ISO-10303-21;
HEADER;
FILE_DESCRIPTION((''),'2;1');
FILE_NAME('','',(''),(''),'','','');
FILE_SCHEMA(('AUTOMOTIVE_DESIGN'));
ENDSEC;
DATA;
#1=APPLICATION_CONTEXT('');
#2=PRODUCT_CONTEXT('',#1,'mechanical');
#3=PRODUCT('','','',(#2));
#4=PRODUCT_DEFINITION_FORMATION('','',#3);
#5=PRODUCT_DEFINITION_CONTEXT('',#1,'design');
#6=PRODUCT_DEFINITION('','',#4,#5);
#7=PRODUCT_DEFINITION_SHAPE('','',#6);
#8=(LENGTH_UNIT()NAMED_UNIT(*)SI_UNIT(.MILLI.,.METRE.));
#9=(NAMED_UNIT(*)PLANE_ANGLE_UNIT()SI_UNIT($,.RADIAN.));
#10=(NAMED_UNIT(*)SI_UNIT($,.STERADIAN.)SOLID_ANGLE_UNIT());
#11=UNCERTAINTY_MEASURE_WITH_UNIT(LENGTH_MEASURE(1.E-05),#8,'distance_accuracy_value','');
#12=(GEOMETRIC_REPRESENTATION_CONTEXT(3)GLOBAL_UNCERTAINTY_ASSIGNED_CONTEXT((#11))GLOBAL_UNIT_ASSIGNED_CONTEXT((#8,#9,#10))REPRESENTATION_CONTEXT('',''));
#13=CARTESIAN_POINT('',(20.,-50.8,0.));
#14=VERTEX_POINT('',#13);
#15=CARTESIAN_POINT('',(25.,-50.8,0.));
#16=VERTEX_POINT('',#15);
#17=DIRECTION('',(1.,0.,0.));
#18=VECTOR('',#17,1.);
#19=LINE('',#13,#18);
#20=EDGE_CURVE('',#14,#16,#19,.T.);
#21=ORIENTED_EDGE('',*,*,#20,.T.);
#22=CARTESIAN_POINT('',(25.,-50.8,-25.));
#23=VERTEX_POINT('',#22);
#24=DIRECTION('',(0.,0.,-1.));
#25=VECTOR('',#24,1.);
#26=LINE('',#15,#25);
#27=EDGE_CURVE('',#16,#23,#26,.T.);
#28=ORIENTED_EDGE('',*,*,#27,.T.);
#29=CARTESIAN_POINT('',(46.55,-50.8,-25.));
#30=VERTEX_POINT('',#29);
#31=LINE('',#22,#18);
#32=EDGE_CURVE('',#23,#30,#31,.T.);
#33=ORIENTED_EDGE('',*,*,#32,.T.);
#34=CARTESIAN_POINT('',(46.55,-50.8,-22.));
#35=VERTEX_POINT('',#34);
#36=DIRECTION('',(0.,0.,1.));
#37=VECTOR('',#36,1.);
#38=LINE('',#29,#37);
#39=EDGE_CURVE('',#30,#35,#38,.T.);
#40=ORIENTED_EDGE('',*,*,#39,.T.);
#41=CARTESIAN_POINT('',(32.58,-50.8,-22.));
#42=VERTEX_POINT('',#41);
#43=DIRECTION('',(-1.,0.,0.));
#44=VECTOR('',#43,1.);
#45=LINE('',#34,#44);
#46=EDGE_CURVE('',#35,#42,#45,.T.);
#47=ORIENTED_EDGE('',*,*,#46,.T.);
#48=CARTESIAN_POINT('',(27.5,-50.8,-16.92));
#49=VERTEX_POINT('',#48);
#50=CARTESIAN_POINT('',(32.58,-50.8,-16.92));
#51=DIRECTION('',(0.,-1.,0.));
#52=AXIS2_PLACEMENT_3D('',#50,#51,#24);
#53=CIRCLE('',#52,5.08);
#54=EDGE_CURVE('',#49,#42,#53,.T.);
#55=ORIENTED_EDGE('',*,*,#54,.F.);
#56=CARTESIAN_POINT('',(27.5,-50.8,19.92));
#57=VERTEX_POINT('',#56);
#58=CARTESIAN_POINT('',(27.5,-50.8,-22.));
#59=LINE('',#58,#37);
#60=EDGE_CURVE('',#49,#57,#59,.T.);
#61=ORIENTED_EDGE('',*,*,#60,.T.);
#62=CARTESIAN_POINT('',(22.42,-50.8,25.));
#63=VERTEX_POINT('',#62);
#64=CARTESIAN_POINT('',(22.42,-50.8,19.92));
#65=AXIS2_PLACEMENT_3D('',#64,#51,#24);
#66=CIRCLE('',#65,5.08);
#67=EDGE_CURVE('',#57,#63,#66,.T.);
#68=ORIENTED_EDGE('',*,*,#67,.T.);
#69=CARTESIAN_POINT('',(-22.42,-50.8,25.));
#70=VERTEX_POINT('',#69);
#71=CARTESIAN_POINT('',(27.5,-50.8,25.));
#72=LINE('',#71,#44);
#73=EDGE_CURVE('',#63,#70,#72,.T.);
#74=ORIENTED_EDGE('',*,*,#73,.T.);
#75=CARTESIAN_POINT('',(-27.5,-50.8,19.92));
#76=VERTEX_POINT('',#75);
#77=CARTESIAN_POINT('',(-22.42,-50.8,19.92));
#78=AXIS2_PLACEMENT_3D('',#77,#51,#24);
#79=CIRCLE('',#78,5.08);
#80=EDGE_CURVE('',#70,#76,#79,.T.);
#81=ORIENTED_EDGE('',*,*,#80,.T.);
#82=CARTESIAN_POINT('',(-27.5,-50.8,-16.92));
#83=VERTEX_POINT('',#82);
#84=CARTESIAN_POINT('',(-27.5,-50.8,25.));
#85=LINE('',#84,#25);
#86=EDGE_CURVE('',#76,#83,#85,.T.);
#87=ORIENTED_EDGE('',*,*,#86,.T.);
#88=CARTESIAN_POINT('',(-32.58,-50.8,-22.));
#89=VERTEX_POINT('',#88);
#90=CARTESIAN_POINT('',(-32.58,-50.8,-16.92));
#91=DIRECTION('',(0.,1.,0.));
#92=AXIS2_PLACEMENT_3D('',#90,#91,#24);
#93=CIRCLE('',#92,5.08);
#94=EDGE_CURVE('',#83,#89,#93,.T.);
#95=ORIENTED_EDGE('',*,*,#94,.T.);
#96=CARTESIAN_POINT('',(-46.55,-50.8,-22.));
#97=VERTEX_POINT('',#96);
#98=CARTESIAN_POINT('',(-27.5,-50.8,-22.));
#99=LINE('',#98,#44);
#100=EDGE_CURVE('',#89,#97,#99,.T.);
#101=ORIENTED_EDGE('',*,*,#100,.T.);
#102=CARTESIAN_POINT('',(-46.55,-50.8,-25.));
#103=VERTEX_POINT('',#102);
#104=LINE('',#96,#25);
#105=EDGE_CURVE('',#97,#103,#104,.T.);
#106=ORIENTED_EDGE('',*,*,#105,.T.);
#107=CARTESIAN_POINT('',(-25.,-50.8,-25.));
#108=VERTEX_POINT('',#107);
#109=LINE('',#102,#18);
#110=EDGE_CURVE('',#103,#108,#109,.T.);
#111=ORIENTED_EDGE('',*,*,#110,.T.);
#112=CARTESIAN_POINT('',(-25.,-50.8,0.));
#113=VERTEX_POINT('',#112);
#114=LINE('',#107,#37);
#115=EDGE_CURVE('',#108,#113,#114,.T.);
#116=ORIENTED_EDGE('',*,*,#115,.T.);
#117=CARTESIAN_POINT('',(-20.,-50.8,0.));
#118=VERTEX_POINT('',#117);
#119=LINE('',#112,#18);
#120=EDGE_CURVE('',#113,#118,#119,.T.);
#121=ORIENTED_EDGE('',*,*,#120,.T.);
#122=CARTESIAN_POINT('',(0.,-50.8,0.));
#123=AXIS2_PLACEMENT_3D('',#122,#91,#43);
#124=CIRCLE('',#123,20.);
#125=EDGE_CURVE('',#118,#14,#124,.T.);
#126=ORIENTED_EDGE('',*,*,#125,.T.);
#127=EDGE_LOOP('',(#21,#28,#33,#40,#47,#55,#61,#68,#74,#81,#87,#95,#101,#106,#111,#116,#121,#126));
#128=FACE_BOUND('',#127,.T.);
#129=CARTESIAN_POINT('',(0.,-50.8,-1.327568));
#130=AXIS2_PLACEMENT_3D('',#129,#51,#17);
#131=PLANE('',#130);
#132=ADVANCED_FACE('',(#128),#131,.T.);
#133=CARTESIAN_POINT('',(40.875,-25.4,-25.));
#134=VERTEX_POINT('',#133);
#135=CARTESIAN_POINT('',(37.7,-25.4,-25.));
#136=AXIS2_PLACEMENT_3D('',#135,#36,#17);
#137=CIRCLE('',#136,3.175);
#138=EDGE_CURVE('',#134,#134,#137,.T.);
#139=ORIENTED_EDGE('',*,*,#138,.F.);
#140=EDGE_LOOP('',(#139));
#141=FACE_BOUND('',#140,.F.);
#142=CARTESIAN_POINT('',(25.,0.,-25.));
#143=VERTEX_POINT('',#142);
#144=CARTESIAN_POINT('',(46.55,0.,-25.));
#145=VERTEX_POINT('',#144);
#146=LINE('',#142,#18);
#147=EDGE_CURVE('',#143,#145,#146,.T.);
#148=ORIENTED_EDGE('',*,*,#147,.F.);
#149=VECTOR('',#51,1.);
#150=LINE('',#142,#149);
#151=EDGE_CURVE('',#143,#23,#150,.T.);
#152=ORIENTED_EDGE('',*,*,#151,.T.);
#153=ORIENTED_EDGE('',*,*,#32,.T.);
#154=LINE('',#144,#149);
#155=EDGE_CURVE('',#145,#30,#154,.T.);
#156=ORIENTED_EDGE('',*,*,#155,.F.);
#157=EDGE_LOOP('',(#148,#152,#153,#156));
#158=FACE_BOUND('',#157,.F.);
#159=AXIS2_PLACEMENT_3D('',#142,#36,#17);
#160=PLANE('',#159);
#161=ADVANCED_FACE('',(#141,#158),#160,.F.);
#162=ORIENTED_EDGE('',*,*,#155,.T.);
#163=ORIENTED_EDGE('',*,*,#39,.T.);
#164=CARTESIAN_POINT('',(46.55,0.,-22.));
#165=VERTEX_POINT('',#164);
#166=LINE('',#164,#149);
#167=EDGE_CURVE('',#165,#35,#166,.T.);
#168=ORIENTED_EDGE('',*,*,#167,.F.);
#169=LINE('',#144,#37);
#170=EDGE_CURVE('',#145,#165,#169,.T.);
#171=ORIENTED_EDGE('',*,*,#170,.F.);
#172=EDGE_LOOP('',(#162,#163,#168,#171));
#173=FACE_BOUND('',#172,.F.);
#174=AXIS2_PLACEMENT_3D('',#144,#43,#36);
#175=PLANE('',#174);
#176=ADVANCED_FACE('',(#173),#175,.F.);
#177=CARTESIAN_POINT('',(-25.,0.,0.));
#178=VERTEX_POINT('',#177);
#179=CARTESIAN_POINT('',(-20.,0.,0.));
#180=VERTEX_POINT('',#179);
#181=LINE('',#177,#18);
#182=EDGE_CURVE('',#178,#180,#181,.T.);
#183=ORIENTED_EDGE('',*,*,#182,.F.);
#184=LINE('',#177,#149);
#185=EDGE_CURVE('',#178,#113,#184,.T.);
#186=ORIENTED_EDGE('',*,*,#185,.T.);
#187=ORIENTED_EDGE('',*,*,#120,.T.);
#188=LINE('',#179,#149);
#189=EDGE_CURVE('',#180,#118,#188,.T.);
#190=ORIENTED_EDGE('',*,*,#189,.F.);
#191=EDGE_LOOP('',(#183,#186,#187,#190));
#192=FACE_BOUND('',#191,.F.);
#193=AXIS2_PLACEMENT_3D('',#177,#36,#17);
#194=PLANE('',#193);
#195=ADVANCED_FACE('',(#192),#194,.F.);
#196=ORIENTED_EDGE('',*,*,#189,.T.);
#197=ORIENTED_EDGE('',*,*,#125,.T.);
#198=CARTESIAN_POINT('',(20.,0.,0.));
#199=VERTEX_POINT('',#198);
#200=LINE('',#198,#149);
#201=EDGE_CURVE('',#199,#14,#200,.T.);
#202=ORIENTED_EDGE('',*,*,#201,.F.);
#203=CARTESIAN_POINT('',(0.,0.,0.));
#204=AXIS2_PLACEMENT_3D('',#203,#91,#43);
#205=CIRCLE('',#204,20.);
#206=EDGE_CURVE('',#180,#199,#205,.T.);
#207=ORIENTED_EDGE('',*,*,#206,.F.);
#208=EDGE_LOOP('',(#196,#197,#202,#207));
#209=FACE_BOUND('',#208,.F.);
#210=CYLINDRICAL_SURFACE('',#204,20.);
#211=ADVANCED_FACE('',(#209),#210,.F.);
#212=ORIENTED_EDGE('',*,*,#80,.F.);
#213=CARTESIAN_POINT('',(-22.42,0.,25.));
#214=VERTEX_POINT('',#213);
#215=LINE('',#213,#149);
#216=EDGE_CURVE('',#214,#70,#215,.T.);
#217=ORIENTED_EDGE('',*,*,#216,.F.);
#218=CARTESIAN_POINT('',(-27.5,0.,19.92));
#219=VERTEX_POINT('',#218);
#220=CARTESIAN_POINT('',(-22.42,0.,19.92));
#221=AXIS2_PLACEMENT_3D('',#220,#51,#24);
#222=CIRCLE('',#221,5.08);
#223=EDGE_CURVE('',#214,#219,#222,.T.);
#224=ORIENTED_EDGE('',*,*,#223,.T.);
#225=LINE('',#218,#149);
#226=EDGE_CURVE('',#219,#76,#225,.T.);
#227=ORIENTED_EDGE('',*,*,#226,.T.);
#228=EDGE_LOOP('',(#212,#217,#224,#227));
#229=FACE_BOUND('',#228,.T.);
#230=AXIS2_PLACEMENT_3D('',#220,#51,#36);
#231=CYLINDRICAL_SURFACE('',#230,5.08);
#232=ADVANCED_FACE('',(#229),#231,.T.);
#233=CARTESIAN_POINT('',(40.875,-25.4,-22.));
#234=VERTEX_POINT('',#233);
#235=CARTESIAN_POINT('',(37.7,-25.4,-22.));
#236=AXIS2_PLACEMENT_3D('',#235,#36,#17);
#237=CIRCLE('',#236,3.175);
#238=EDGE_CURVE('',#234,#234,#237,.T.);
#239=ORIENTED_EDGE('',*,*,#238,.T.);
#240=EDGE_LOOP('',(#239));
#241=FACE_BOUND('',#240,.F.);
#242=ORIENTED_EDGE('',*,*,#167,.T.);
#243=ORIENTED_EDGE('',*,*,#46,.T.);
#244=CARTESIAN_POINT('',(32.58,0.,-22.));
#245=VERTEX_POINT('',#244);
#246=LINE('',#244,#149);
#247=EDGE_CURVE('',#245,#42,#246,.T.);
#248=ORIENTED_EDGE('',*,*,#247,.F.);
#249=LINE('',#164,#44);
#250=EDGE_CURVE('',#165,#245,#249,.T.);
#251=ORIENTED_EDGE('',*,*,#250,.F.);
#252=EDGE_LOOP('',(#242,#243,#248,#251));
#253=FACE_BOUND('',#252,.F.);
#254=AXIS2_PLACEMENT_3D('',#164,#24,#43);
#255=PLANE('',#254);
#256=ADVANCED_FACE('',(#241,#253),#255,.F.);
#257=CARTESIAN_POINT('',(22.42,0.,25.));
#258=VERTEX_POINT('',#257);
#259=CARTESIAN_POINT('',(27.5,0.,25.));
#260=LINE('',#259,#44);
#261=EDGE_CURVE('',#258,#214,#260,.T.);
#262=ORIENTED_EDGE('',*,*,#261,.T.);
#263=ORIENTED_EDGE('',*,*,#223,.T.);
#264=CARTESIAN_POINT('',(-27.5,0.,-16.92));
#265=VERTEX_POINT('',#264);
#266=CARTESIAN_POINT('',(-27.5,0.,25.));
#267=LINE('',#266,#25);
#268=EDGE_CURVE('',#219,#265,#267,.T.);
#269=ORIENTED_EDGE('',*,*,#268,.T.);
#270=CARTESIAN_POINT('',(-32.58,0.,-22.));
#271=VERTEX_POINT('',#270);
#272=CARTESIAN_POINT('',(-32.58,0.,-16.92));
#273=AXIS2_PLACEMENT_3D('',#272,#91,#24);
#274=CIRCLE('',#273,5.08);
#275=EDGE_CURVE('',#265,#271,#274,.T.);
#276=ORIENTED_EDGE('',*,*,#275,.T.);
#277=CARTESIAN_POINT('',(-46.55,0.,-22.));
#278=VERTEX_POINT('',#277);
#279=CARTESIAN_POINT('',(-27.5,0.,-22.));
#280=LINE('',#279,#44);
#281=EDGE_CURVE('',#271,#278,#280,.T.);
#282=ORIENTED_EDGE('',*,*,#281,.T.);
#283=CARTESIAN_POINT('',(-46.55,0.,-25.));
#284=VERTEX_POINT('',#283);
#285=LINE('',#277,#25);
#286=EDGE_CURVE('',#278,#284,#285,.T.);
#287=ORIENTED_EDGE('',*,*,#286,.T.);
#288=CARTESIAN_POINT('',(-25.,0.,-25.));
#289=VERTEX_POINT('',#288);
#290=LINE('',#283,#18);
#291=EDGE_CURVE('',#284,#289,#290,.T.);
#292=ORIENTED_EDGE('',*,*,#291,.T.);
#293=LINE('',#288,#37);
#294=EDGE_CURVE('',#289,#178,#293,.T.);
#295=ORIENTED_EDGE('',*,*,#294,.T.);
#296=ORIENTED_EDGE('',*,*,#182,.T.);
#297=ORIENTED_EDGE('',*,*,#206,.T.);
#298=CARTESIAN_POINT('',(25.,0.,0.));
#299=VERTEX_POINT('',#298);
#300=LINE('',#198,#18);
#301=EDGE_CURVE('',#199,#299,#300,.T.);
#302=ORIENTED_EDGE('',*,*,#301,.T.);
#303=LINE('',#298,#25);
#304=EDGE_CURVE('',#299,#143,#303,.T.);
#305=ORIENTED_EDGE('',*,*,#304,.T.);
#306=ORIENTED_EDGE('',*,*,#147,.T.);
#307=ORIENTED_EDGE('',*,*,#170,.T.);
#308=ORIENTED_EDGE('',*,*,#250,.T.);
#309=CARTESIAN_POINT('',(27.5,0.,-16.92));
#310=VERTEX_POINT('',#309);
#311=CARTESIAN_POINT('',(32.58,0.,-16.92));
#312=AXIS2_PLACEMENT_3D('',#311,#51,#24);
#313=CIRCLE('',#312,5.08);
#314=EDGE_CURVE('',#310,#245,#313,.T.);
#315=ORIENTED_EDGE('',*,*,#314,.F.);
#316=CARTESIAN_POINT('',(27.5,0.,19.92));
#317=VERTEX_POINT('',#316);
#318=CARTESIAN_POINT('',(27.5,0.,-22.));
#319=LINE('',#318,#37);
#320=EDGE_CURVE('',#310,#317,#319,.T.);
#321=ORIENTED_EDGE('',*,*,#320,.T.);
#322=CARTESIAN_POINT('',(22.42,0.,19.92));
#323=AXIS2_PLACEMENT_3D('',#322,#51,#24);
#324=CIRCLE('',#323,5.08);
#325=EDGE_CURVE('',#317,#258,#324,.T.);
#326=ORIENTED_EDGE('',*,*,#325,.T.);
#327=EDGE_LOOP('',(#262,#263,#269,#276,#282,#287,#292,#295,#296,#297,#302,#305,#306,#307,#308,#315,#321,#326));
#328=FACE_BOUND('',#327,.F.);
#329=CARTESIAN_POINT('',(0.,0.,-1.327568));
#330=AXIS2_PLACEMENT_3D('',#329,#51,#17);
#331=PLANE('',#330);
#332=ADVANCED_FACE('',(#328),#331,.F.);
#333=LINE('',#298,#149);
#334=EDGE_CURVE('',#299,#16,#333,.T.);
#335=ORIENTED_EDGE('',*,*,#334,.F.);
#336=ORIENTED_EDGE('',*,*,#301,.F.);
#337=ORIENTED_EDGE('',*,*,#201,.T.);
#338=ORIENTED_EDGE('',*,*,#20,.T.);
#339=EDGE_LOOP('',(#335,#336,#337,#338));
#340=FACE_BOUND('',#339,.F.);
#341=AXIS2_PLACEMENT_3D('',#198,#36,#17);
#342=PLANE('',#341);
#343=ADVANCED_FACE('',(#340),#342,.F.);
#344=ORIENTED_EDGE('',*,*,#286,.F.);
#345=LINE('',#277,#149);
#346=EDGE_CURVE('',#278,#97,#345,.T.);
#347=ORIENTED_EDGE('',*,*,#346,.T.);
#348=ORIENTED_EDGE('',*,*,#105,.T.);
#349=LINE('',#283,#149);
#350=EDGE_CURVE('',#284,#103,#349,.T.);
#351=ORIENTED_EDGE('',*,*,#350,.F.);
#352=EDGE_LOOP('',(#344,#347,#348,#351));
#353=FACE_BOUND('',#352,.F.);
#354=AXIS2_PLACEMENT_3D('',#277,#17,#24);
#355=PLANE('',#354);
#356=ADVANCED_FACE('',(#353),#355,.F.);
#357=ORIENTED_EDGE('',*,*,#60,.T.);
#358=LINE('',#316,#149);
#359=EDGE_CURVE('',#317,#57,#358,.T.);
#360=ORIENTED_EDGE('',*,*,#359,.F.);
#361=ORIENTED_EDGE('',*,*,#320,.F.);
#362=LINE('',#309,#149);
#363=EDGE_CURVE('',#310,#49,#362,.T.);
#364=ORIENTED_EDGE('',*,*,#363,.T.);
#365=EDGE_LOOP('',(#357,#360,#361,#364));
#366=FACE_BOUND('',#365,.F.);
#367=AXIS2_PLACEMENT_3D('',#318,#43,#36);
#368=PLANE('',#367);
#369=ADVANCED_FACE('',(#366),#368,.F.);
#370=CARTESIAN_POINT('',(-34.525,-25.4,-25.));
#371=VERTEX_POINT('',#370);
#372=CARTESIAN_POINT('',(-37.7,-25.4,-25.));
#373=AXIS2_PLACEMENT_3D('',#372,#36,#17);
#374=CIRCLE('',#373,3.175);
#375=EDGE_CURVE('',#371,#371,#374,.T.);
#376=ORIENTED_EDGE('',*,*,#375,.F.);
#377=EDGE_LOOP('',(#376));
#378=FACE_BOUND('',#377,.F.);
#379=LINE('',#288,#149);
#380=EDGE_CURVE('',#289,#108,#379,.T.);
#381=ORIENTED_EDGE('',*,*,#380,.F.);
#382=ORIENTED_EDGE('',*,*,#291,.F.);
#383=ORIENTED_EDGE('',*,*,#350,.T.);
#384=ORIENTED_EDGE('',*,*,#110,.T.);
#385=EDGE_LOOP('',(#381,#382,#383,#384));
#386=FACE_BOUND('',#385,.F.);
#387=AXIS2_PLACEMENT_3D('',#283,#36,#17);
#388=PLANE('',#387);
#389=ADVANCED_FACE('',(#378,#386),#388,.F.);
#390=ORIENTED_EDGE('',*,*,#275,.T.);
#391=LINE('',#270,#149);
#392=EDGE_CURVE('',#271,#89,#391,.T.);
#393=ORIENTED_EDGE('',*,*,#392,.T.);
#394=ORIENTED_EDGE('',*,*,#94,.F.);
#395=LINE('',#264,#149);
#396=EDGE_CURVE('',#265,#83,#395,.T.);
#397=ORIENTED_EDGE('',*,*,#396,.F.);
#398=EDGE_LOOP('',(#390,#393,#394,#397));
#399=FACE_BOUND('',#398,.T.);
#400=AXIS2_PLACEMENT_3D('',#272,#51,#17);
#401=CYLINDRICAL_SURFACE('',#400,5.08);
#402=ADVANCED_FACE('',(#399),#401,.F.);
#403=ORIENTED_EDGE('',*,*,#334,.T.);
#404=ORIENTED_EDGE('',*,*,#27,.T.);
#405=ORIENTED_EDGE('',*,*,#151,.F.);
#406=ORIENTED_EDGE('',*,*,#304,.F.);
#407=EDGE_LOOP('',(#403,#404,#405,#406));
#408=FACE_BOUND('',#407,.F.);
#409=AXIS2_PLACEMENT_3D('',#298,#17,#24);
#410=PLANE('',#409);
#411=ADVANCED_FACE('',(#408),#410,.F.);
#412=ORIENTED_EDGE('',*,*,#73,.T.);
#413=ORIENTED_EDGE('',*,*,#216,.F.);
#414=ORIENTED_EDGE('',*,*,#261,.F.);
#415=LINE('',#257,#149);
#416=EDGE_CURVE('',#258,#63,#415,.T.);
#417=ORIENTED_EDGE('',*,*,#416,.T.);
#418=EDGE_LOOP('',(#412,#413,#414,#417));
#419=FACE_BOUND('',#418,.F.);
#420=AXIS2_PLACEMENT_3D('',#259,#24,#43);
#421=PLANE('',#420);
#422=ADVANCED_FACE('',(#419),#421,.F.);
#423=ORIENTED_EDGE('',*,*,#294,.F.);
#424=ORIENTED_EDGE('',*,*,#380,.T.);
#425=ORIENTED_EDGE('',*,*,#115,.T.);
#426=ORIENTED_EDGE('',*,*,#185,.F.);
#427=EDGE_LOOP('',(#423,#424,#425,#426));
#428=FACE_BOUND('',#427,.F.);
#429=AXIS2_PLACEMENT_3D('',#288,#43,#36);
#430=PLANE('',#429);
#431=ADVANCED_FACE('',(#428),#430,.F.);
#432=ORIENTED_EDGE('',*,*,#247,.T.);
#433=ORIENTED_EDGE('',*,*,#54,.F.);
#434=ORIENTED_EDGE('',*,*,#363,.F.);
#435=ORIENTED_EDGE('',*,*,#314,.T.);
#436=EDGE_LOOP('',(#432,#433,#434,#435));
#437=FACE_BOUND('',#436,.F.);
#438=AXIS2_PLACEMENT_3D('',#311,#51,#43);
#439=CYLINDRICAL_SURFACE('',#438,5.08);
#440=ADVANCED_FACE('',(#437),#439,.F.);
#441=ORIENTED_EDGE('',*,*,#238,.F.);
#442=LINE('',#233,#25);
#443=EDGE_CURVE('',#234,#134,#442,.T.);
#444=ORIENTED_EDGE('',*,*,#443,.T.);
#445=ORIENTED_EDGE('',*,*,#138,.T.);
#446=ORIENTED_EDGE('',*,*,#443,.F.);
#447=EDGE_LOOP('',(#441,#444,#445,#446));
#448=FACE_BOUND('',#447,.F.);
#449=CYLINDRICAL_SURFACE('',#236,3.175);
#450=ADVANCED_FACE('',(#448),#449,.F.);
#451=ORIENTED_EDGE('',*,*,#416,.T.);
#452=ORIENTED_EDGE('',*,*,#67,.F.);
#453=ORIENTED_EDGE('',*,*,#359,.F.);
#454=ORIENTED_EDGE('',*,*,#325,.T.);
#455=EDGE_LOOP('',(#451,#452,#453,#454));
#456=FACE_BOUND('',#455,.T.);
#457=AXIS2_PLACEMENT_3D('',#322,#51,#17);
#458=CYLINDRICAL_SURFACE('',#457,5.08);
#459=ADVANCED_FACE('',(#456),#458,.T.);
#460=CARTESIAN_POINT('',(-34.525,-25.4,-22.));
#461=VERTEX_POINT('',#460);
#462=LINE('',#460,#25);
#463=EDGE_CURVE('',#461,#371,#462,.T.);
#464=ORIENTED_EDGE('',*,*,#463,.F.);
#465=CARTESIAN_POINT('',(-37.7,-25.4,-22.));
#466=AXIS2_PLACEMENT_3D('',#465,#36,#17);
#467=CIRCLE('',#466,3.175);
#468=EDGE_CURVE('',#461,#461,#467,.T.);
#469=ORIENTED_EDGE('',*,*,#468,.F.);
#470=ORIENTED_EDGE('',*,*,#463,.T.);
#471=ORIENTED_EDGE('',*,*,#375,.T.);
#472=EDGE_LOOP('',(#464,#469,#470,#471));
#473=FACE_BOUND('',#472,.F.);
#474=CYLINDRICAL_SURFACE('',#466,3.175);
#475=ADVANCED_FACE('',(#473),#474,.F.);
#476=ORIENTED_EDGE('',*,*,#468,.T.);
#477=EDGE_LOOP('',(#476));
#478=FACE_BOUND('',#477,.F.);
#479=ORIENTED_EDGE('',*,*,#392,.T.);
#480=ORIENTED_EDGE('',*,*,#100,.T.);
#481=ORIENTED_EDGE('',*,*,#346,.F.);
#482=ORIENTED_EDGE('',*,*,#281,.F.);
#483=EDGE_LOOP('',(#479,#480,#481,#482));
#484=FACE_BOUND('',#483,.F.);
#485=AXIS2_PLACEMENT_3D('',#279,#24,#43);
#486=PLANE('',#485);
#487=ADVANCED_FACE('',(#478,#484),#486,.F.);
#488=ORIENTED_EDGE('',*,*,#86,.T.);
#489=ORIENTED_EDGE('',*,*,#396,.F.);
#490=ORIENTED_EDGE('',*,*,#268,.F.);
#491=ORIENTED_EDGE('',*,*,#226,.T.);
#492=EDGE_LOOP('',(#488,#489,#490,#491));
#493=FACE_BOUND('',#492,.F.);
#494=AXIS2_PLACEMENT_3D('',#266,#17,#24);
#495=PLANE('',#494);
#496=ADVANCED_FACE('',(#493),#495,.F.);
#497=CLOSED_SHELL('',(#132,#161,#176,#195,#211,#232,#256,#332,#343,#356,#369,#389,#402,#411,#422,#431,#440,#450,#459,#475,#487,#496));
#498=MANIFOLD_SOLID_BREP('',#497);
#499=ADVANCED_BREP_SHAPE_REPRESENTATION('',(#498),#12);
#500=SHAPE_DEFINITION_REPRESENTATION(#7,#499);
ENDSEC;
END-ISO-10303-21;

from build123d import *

# Parameters (mm, degrees)
F1_DEPTH = 50.8
F2_R     = 5.08
F3_R     = 5.08
F4_R     = 3.175
F5_DEPTH = 25.4


with BuildPart() as f1:
    # F0 (on Front) → F1 (new body)
    with BuildSketch(Plane.XZ):
        with BuildLine():
            Line((-25, -25), (-25, 0))
            Line((-25, 0), (-20, 0))
            ThreePointArc((-20, 0), (0, 20), (20, 0))
            Line((20, 0), (25, 0))
            Line((25, 0), (25, -25))
            Line((25, -25), (46.55, -25))
            Line((46.55, -25), (46.55, -22))
            Line((46.55, -22), (27.5, -22))
            Line((27.5, -22), (27.5, 0))
            Line((27.5, 0), (27.5, 25))
            Line((27.5, 25), (-27.5, 25))
            Line((-27.5, 25), (-27.5, 0))
            Line((-27.5, 0), (-27.5, -22))
            Line((-27.5, -22), (-46.55, -22))
            Line((-46.55, -22), (-46.55, -25))
            Line((-46.55, -25), (-25, -25))
        make_face()
    extrude(amount=F1_DEPTH)

    # F2
    f2_edges = [f1.edges().sort_by_distance(p)[0] for p in [
        (-27.5, -25.4, 25),
        (27.5, -25.4, 25),
    ]]
    fillet(f2_edges, radius=F2_R)

    # F3
    f3_edges = [f1.edges().sort_by_distance(p)[0] for p in [
        (-27.5, -25.4, -22),
        (27.5, -25.4, -22),
    ]]
    fillet(f3_edges, radius=F3_R)

    # F4 (on face) → F5 (cut)
    with BuildSketch(Plane.XY.offset(-22)):
        with Locations((-37.7, -25.4)):
            Circle(F4_R)
        with Locations((37.7, -25.4)):
            Circle(F4_R)
    extrude(amount=-F5_DEPTH, mode=Mode.SUBTRACT)


solid = f1.part
